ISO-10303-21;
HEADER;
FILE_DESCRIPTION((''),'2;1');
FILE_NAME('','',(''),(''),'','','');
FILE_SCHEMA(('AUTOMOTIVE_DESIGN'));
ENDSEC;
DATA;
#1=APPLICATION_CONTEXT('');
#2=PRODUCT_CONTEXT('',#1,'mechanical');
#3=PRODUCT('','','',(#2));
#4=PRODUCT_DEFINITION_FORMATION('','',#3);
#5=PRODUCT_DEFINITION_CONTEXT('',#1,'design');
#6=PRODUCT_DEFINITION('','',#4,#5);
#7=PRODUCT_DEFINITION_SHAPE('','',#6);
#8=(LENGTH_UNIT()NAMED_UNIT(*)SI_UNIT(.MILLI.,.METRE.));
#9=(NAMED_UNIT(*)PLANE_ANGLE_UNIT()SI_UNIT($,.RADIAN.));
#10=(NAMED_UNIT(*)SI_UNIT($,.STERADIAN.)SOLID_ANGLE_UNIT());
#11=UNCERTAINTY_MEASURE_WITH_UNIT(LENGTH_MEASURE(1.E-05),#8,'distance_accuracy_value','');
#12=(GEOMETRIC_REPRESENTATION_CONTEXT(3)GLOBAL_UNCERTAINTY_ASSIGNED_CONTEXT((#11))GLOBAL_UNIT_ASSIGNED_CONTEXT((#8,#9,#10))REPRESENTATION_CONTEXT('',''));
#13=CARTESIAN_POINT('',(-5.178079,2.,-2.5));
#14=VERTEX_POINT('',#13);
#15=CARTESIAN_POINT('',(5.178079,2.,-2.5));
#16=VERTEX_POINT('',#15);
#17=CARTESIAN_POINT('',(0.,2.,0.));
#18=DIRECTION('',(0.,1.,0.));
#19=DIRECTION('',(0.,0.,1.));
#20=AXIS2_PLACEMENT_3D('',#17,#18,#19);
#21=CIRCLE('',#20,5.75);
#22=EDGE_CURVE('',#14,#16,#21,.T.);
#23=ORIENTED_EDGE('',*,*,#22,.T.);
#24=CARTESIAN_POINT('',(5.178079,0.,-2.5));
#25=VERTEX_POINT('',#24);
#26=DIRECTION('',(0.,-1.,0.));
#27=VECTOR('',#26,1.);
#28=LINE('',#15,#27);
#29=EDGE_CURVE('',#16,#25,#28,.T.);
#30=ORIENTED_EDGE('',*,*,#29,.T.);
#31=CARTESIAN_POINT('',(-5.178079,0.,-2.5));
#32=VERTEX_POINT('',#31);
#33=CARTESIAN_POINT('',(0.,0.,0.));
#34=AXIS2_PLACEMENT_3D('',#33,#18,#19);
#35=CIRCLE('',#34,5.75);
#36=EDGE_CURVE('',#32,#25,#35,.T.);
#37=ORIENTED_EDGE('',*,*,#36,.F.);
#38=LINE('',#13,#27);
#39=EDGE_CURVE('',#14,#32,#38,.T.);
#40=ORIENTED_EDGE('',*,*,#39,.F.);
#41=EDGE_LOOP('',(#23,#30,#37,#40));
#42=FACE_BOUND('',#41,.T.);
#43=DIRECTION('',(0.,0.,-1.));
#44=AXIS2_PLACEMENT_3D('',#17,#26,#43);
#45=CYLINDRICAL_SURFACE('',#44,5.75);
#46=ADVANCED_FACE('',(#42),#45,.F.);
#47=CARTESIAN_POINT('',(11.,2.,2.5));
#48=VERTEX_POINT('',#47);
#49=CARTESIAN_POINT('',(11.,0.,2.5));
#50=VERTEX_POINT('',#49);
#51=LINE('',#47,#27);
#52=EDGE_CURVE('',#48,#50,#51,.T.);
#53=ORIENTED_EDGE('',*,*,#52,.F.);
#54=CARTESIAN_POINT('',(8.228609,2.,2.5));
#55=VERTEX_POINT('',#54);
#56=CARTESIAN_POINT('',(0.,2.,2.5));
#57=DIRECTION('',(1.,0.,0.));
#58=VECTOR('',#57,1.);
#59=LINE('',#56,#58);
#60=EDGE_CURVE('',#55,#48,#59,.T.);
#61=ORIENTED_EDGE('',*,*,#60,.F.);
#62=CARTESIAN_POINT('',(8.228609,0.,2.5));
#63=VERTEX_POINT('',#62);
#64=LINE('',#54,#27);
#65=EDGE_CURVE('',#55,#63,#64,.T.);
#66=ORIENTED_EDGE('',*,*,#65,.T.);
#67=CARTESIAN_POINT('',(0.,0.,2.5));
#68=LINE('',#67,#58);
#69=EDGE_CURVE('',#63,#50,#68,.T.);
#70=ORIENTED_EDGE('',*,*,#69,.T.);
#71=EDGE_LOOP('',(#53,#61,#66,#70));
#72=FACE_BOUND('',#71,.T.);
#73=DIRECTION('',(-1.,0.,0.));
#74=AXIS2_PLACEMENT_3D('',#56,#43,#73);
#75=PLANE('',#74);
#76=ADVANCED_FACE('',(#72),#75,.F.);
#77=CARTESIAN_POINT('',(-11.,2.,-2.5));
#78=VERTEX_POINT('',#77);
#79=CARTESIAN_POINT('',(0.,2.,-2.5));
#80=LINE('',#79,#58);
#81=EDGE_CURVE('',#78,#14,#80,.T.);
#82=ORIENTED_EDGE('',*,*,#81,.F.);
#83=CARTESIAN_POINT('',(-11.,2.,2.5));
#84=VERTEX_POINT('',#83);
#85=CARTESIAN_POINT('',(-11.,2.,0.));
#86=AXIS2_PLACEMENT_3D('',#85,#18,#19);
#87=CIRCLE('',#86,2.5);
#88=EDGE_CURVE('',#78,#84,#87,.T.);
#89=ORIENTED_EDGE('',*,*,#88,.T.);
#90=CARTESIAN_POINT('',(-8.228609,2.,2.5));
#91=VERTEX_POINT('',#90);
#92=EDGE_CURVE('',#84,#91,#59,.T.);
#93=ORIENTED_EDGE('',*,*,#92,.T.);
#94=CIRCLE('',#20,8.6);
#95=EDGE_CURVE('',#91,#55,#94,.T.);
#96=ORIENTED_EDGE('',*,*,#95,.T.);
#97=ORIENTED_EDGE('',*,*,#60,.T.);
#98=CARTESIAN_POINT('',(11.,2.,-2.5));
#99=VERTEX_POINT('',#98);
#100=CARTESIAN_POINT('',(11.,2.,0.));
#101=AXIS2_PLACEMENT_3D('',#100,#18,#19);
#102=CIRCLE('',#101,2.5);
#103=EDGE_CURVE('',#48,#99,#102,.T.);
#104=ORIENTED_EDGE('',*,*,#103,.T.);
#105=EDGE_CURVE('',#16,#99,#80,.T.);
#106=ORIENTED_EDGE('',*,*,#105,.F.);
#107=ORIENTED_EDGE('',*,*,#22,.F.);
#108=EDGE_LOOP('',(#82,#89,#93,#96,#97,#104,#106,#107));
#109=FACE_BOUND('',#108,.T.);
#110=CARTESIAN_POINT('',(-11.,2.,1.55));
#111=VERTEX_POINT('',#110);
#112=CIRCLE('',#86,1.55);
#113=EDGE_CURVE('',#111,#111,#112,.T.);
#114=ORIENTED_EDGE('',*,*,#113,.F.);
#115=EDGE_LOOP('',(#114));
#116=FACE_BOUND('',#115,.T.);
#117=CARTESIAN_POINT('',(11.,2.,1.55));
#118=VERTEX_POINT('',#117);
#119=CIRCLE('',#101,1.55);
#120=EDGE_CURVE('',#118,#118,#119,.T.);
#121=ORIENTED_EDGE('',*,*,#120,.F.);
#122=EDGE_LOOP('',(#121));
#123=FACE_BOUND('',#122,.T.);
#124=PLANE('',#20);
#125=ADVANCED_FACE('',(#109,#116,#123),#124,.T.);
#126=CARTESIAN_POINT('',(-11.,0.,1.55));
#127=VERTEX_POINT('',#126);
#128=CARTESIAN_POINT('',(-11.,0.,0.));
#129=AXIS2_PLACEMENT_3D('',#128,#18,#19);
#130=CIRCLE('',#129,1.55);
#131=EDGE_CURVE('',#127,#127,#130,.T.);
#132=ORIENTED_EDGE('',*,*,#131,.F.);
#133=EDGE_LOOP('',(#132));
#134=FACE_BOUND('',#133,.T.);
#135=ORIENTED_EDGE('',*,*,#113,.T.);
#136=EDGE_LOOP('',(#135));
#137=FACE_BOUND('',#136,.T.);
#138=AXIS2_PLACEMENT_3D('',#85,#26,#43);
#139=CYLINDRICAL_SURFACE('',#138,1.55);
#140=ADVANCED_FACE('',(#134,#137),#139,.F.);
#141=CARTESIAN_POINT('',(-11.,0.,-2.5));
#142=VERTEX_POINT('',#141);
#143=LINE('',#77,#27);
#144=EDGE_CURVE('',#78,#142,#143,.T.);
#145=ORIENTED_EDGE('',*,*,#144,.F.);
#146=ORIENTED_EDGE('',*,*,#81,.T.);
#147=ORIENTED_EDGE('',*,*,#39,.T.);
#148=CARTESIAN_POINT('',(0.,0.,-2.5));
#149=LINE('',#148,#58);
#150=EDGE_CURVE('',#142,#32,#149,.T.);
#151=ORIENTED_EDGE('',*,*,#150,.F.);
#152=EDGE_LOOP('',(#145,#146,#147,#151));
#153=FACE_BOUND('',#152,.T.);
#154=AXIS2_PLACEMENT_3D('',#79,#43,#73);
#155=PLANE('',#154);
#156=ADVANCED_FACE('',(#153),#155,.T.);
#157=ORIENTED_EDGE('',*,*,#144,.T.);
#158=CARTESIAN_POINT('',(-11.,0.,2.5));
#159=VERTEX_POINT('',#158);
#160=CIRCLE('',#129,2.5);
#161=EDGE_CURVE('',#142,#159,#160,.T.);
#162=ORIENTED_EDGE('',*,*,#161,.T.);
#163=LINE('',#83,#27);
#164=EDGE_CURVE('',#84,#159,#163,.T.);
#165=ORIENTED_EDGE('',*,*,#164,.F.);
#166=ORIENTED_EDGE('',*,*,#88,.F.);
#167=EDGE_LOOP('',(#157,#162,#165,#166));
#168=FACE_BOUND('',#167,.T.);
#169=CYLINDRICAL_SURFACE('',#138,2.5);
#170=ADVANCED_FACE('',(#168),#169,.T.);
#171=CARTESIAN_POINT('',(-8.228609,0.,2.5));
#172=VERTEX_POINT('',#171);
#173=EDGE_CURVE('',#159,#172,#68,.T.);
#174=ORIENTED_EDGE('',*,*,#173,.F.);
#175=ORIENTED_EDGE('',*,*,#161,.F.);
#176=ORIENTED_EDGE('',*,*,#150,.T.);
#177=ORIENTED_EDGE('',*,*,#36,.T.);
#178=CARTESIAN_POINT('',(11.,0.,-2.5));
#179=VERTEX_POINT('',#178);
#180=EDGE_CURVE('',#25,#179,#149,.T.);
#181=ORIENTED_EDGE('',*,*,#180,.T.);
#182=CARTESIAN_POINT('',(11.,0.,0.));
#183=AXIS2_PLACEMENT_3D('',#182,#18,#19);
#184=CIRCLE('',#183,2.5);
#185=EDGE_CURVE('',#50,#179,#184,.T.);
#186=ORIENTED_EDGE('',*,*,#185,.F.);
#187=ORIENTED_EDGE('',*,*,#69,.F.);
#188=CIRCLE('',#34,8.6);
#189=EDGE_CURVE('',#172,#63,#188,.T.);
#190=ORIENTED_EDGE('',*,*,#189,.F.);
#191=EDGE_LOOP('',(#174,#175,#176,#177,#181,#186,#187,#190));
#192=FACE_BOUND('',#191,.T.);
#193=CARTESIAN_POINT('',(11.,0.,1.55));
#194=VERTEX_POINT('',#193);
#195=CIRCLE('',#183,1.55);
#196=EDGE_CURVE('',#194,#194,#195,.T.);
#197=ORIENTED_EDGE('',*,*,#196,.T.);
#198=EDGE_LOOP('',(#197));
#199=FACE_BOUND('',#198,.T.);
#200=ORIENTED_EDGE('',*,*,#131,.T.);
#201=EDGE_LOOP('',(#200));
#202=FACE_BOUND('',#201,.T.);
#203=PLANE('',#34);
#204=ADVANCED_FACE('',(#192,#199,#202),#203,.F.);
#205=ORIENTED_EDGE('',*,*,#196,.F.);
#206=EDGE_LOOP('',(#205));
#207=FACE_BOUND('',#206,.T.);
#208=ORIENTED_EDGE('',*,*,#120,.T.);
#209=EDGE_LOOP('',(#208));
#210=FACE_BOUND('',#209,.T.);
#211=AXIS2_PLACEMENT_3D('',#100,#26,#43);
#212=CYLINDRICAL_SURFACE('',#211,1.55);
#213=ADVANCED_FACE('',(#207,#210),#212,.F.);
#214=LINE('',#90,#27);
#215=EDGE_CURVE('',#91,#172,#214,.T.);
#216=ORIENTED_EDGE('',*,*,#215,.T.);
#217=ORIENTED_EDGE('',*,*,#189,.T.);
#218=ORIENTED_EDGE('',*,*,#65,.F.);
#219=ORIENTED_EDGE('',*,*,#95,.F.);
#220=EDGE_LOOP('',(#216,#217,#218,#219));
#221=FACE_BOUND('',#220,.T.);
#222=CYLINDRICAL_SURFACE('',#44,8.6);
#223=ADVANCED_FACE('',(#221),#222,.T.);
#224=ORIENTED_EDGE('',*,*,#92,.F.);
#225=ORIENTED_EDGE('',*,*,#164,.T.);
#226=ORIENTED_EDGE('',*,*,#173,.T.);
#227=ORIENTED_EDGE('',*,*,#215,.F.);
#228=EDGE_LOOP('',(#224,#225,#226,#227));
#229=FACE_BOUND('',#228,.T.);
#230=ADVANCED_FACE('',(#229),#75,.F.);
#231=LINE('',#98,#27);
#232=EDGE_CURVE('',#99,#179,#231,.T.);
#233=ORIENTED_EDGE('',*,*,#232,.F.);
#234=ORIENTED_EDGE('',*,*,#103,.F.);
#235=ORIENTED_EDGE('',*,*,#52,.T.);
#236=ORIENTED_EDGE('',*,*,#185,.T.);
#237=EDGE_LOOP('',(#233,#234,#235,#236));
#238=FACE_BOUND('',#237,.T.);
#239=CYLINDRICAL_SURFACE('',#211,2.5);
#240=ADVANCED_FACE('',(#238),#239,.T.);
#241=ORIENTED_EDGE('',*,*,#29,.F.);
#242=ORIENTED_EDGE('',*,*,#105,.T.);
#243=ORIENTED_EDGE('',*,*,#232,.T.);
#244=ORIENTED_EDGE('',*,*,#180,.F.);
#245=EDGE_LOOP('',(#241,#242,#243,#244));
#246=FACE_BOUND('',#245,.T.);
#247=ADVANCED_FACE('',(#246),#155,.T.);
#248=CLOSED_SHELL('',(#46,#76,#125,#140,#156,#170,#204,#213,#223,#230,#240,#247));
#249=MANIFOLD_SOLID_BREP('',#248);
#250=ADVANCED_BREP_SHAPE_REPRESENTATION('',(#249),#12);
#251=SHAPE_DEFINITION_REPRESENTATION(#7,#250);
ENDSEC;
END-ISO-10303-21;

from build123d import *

# Parameters (mm, degrees)
SKETCH1_R           = 1.55
BOSS_EXTRUDE1_DEPTH = 2


with BuildPart() as part:
    # Sketch1 → Boss-Extrude1 (new body)
    with BuildSketch(Plane(origin=(0, 0, 0), x_dir=(1, 0, 0), z_dir=(0, 1, 0))):
        with BuildLine():
            Line((8.228608631, -2.5), (11, -2.5))
            ThreePointArc((11, -2.5), (13.5, 0), (11, 2.5))
            Line((11, 2.5), (5.178078794, 2.5))
            ThreePointArc((5.178078794, 2.5), (0, -5.75), (-5.178078794, 2.5))
            Line((-5.178078794, 2.5), (-11, 2.5))
            ThreePointArc((-11, 2.5), (-13.5, 0), (-11, -2.5))
            Line((-11, -2.5), (-8.228608631, -2.5))
            ThreePointArc((-8.228608631, -2.5), (0, -8.6), (8.228608631, -2.5))
        make_face()
        with Locations(Location((-11, 0, 0), (0, 0, 270))):
            Circle(SKETCH1_R, mode=Mode.SUBTRACT)
        with Locations(Location((11, 0, 0), (0, 0, 270))):
            Circle(SKETCH1_R, mode=Mode.SUBTRACT)
    extrude(amount=BOSS_EXTRUDE1_DEPTH)


solid = part.part
